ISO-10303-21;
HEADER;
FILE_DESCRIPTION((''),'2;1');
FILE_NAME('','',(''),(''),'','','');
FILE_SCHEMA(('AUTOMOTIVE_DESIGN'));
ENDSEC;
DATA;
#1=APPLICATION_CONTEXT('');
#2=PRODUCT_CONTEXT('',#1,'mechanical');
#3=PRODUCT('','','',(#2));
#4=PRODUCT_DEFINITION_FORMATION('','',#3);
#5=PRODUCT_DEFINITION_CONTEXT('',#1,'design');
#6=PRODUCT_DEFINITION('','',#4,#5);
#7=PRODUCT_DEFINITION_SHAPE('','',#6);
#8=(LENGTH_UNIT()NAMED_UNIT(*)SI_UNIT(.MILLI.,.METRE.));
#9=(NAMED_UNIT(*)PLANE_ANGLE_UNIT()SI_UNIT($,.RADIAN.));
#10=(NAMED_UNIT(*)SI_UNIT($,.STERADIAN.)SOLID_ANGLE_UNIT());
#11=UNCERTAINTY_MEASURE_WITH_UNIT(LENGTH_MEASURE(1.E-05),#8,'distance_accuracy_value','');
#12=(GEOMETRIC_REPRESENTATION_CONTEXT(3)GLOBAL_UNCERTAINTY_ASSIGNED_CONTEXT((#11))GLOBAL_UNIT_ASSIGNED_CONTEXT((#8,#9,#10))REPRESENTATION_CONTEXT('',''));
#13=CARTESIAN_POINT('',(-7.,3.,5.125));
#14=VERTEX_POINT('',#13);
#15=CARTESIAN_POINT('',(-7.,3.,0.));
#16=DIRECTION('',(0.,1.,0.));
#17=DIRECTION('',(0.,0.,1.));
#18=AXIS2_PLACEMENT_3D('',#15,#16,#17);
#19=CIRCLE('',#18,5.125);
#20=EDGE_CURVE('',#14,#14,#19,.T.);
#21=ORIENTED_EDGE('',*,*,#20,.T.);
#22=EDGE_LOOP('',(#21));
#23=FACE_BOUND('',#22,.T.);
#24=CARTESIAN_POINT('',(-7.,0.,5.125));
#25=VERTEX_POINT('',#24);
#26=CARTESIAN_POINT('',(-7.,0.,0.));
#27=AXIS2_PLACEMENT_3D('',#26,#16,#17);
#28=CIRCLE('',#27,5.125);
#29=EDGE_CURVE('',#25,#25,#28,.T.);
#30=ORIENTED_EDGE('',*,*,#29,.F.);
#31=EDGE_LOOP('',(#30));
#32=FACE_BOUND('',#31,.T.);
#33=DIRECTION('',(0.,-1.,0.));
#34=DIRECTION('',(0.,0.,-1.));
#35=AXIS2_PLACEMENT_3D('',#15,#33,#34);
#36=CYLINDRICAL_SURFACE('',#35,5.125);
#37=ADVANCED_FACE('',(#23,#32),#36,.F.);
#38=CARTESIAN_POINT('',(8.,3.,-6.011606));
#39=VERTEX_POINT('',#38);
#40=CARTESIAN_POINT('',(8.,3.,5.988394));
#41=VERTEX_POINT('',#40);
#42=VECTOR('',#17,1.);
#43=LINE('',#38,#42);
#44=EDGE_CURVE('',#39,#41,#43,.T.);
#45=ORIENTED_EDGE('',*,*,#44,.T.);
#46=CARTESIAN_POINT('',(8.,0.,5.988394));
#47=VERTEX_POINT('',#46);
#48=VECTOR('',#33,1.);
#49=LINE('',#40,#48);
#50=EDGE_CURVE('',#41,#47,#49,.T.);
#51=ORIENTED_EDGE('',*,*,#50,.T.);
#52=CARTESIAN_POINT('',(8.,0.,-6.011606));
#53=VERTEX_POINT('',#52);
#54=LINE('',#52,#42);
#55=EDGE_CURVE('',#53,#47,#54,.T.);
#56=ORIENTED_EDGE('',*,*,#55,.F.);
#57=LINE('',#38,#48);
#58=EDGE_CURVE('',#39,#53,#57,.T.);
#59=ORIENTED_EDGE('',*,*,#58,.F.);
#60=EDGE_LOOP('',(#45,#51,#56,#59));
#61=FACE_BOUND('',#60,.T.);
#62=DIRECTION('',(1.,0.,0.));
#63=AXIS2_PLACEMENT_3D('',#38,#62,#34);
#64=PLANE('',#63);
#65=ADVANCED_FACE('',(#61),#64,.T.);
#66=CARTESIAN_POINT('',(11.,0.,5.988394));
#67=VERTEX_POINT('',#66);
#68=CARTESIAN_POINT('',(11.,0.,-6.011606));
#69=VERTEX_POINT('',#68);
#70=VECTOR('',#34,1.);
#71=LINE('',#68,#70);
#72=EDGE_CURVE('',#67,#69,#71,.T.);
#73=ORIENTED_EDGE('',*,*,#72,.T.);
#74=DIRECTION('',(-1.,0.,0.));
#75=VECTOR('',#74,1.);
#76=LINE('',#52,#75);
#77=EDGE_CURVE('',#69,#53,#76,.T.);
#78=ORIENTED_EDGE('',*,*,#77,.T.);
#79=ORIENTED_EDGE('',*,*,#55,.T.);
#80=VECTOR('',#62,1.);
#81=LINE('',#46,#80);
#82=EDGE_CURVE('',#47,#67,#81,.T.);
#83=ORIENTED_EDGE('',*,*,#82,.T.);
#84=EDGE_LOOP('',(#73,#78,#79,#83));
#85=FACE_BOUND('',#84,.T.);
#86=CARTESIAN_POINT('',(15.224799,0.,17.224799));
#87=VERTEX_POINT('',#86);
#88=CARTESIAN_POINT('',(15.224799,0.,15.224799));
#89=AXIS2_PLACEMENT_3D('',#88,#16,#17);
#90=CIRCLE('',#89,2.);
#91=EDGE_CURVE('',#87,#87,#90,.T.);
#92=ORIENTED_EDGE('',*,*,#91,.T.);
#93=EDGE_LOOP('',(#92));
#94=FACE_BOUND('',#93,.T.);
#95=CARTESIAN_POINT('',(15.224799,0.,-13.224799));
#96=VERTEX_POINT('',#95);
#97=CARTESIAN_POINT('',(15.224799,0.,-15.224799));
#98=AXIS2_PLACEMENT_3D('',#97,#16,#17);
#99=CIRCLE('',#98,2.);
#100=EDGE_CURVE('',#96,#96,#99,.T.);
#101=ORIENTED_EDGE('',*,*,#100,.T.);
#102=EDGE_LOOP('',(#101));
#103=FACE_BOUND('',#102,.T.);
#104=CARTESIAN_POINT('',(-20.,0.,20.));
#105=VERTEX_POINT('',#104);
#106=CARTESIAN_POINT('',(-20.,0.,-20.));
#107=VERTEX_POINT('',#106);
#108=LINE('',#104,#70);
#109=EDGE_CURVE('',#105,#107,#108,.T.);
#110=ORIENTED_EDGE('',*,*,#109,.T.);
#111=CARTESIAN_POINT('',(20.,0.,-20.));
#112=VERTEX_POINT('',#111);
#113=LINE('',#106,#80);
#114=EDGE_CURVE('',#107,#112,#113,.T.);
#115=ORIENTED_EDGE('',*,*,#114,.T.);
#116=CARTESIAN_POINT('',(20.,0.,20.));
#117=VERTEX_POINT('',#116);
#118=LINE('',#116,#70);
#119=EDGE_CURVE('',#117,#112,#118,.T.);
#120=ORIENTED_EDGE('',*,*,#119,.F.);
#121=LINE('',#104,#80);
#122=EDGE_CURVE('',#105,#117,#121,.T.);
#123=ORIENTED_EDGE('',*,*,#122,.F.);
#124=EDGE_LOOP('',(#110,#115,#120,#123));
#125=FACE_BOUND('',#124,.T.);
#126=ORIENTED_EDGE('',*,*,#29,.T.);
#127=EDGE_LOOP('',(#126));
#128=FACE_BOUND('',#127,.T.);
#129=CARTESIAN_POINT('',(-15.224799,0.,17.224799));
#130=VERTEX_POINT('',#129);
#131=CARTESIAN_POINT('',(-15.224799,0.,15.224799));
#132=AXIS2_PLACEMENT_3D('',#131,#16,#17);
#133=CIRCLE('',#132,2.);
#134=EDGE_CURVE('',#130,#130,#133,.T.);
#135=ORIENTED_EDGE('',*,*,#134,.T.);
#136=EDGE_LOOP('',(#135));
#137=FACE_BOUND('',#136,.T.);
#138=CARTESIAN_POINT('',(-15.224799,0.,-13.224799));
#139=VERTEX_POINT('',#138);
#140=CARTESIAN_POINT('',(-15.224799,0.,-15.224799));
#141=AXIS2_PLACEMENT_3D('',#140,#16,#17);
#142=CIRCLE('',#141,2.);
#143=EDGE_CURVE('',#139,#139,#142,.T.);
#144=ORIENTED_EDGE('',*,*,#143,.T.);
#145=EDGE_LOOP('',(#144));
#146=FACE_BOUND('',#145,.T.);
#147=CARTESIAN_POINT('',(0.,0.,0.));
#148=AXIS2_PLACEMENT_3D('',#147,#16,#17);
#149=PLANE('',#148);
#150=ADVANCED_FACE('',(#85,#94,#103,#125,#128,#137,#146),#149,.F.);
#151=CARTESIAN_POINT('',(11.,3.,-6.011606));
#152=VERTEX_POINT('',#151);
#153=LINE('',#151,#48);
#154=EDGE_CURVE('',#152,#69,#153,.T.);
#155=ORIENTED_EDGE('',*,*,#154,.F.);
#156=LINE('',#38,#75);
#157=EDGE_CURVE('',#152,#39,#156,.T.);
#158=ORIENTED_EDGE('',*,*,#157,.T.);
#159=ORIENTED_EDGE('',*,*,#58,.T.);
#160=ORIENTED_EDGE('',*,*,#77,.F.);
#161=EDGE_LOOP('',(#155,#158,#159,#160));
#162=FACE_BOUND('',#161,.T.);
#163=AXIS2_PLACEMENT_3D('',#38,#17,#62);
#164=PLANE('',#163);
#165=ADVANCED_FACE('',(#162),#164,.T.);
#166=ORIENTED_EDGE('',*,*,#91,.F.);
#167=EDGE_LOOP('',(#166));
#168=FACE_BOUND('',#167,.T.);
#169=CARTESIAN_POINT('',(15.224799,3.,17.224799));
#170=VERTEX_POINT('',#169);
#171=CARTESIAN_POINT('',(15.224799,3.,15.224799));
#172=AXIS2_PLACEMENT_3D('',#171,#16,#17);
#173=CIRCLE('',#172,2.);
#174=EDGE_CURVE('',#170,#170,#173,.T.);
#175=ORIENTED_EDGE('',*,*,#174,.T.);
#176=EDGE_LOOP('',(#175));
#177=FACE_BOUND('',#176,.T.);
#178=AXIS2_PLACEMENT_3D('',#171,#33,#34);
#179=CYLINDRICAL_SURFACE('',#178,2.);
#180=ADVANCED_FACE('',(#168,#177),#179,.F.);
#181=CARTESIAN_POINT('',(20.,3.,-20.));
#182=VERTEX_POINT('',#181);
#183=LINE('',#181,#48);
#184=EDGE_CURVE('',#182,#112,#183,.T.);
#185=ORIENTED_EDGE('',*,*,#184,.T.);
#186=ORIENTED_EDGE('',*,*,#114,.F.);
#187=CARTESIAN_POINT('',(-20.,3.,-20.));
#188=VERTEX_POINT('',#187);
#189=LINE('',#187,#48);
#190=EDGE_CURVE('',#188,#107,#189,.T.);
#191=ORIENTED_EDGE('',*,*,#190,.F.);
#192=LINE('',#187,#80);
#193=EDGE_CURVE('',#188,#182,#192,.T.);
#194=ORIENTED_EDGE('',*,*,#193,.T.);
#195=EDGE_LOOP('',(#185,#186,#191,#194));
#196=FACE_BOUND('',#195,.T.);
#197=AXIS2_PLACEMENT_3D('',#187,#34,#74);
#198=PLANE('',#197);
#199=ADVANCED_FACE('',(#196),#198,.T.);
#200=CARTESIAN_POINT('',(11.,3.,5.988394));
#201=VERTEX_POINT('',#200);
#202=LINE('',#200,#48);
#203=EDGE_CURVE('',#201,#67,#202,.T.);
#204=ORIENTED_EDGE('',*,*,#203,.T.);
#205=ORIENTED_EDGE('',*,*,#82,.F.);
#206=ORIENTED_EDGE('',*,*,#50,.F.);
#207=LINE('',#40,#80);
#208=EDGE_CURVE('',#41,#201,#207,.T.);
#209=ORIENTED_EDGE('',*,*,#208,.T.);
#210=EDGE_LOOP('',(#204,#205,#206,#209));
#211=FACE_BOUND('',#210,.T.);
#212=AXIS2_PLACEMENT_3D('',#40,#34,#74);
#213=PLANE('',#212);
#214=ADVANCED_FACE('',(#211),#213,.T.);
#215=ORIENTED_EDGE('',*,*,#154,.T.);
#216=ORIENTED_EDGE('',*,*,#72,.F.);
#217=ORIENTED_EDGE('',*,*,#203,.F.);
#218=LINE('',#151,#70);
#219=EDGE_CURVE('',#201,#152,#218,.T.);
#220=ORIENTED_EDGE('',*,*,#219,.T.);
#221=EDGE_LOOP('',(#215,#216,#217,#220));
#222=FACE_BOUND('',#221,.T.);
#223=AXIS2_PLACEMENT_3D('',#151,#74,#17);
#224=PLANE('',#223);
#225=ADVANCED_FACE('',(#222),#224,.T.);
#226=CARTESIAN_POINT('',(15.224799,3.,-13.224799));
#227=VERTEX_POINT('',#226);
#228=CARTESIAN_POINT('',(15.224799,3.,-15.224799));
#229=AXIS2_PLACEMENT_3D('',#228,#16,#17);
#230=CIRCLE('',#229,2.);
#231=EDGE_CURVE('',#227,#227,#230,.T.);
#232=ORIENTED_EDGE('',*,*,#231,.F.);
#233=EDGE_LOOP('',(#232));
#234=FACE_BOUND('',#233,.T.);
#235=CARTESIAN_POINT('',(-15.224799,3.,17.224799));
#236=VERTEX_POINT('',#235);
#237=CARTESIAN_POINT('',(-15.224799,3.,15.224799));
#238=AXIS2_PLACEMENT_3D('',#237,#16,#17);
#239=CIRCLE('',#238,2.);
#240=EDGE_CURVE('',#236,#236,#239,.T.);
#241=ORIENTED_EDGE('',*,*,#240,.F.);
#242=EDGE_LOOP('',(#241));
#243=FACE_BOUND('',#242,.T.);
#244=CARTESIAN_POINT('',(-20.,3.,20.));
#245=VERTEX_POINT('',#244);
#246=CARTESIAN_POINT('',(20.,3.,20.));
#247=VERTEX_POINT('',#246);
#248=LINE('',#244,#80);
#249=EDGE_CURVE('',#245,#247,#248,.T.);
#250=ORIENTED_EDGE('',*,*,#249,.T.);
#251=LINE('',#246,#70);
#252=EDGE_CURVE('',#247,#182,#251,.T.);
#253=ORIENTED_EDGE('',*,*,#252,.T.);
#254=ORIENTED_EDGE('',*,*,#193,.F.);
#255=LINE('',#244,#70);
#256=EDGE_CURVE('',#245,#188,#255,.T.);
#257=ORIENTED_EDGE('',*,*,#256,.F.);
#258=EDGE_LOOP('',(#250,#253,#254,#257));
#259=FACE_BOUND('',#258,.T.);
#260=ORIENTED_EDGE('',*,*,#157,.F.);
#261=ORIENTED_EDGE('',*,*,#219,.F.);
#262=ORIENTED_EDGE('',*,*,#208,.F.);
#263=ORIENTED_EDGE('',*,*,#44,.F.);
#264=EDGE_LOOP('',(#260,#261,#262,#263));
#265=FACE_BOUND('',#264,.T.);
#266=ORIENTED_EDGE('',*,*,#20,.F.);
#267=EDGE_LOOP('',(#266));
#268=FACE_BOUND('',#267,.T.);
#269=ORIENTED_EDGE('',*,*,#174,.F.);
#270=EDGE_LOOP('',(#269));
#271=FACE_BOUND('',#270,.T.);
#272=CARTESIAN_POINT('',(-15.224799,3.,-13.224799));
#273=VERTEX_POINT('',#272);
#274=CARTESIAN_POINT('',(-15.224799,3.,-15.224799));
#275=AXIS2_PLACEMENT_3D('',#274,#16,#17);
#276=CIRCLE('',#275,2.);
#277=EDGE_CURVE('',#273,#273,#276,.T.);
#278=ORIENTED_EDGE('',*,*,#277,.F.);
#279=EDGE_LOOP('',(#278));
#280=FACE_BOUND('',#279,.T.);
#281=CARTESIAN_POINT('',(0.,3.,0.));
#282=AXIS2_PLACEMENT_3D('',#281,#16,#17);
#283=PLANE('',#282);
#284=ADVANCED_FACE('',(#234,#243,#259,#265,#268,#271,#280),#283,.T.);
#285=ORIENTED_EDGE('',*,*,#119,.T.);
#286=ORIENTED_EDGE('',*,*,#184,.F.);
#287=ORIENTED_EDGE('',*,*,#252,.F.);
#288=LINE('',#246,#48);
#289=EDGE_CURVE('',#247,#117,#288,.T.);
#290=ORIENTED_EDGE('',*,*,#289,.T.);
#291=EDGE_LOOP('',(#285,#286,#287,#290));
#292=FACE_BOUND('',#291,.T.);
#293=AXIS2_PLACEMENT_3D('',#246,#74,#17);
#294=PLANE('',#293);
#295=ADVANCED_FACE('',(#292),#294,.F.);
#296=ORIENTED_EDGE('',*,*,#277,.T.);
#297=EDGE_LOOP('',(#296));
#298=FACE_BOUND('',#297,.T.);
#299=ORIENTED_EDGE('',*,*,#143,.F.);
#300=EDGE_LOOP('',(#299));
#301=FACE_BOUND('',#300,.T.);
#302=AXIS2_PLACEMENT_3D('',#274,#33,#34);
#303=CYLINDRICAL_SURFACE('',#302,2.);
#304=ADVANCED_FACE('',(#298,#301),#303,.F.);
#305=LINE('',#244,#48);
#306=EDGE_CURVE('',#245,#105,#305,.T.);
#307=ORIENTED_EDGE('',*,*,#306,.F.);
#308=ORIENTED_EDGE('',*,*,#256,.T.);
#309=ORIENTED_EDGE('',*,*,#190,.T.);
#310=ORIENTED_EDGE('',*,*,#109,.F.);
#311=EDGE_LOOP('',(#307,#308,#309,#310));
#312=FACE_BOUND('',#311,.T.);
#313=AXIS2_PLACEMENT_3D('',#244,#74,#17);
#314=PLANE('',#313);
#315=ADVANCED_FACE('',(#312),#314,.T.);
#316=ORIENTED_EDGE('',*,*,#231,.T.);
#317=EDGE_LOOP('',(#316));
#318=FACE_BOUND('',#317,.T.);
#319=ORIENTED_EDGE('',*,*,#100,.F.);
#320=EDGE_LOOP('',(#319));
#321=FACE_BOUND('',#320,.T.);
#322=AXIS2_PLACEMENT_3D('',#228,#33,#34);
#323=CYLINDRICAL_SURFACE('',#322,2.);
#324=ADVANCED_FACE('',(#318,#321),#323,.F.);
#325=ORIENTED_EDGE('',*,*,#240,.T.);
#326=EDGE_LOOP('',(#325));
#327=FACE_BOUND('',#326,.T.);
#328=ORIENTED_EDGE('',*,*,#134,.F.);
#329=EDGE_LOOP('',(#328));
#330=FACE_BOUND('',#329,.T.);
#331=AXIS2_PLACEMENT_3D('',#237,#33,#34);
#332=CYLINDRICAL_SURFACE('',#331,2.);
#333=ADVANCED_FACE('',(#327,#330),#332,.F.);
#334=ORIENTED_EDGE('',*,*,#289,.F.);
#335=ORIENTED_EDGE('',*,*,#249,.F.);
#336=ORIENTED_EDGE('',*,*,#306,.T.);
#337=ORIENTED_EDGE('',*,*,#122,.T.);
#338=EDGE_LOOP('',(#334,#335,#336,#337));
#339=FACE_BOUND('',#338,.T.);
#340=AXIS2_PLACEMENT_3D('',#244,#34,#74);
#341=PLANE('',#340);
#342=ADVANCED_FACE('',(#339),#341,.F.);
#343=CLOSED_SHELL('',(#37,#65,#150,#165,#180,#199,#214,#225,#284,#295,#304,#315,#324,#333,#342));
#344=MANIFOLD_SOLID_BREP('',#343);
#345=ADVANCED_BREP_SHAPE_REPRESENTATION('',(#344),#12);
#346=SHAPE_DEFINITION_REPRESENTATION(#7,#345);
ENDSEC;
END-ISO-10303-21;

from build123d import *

# Parameters (mm, degrees)
SKETCH_2_W          = 40
SKETCH_2_H          = 40
EXTRUDE_2_DEPTH     = 3
SKETCH_3_R          = 2
SKETCH_3_R_2        = 5.125
SKETCH_3_W          = 3
SKETCH_3_H          = 12
CUT_EXTRUDE_1_DEPTH = 3


with BuildPart() as part:
    # 草图2 → 凸台-拉伸2 (new body)
    with BuildSketch(Plane(origin=(0, 0, 0), x_dir=(1, 0, 0), z_dir=(0, 1, 0))):
        Rectangle(SKETCH_2_W, SKETCH_2_H)
    extrude(amount=EXTRUDE_2_DEPTH)

    # 草图3 → 切除-拉伸1 (cut)
    with BuildSketch(Plane(origin=(0, 0, 0), x_dir=(1, 0, 0), z_dir=(0, 1, 0))):
        with Locations(Location((-15.224798987, -15.224798987, 0), (0, 0, 270))):
            Circle(SKETCH_3_R)
        with Locations(Location((15.224798987, -15.224798987, 0), (0, 0, 270))):
            Circle(SKETCH_3_R)
        with Locations(Location((15.224798987, 15.224798987, 0), (0, 0, 270))):
            Circle(SKETCH_3_R)
        with Locations(Location((-15.224798987, 15.224798987, 0), (0, 0, 270))):
            Circle(SKETCH_3_R)
        with Locations(Location((-7, 0, 0), (0, 0, 270))):
            Circle(SKETCH_3_R_2)
        with Locations((9.5, 0.011605537)):
            Rectangle(SKETCH_3_W, SKETCH_3_H)
    extrude(amount=CUT_EXTRUDE_1_DEPTH, mode=Mode.SUBTRACT)


solid = part.part
